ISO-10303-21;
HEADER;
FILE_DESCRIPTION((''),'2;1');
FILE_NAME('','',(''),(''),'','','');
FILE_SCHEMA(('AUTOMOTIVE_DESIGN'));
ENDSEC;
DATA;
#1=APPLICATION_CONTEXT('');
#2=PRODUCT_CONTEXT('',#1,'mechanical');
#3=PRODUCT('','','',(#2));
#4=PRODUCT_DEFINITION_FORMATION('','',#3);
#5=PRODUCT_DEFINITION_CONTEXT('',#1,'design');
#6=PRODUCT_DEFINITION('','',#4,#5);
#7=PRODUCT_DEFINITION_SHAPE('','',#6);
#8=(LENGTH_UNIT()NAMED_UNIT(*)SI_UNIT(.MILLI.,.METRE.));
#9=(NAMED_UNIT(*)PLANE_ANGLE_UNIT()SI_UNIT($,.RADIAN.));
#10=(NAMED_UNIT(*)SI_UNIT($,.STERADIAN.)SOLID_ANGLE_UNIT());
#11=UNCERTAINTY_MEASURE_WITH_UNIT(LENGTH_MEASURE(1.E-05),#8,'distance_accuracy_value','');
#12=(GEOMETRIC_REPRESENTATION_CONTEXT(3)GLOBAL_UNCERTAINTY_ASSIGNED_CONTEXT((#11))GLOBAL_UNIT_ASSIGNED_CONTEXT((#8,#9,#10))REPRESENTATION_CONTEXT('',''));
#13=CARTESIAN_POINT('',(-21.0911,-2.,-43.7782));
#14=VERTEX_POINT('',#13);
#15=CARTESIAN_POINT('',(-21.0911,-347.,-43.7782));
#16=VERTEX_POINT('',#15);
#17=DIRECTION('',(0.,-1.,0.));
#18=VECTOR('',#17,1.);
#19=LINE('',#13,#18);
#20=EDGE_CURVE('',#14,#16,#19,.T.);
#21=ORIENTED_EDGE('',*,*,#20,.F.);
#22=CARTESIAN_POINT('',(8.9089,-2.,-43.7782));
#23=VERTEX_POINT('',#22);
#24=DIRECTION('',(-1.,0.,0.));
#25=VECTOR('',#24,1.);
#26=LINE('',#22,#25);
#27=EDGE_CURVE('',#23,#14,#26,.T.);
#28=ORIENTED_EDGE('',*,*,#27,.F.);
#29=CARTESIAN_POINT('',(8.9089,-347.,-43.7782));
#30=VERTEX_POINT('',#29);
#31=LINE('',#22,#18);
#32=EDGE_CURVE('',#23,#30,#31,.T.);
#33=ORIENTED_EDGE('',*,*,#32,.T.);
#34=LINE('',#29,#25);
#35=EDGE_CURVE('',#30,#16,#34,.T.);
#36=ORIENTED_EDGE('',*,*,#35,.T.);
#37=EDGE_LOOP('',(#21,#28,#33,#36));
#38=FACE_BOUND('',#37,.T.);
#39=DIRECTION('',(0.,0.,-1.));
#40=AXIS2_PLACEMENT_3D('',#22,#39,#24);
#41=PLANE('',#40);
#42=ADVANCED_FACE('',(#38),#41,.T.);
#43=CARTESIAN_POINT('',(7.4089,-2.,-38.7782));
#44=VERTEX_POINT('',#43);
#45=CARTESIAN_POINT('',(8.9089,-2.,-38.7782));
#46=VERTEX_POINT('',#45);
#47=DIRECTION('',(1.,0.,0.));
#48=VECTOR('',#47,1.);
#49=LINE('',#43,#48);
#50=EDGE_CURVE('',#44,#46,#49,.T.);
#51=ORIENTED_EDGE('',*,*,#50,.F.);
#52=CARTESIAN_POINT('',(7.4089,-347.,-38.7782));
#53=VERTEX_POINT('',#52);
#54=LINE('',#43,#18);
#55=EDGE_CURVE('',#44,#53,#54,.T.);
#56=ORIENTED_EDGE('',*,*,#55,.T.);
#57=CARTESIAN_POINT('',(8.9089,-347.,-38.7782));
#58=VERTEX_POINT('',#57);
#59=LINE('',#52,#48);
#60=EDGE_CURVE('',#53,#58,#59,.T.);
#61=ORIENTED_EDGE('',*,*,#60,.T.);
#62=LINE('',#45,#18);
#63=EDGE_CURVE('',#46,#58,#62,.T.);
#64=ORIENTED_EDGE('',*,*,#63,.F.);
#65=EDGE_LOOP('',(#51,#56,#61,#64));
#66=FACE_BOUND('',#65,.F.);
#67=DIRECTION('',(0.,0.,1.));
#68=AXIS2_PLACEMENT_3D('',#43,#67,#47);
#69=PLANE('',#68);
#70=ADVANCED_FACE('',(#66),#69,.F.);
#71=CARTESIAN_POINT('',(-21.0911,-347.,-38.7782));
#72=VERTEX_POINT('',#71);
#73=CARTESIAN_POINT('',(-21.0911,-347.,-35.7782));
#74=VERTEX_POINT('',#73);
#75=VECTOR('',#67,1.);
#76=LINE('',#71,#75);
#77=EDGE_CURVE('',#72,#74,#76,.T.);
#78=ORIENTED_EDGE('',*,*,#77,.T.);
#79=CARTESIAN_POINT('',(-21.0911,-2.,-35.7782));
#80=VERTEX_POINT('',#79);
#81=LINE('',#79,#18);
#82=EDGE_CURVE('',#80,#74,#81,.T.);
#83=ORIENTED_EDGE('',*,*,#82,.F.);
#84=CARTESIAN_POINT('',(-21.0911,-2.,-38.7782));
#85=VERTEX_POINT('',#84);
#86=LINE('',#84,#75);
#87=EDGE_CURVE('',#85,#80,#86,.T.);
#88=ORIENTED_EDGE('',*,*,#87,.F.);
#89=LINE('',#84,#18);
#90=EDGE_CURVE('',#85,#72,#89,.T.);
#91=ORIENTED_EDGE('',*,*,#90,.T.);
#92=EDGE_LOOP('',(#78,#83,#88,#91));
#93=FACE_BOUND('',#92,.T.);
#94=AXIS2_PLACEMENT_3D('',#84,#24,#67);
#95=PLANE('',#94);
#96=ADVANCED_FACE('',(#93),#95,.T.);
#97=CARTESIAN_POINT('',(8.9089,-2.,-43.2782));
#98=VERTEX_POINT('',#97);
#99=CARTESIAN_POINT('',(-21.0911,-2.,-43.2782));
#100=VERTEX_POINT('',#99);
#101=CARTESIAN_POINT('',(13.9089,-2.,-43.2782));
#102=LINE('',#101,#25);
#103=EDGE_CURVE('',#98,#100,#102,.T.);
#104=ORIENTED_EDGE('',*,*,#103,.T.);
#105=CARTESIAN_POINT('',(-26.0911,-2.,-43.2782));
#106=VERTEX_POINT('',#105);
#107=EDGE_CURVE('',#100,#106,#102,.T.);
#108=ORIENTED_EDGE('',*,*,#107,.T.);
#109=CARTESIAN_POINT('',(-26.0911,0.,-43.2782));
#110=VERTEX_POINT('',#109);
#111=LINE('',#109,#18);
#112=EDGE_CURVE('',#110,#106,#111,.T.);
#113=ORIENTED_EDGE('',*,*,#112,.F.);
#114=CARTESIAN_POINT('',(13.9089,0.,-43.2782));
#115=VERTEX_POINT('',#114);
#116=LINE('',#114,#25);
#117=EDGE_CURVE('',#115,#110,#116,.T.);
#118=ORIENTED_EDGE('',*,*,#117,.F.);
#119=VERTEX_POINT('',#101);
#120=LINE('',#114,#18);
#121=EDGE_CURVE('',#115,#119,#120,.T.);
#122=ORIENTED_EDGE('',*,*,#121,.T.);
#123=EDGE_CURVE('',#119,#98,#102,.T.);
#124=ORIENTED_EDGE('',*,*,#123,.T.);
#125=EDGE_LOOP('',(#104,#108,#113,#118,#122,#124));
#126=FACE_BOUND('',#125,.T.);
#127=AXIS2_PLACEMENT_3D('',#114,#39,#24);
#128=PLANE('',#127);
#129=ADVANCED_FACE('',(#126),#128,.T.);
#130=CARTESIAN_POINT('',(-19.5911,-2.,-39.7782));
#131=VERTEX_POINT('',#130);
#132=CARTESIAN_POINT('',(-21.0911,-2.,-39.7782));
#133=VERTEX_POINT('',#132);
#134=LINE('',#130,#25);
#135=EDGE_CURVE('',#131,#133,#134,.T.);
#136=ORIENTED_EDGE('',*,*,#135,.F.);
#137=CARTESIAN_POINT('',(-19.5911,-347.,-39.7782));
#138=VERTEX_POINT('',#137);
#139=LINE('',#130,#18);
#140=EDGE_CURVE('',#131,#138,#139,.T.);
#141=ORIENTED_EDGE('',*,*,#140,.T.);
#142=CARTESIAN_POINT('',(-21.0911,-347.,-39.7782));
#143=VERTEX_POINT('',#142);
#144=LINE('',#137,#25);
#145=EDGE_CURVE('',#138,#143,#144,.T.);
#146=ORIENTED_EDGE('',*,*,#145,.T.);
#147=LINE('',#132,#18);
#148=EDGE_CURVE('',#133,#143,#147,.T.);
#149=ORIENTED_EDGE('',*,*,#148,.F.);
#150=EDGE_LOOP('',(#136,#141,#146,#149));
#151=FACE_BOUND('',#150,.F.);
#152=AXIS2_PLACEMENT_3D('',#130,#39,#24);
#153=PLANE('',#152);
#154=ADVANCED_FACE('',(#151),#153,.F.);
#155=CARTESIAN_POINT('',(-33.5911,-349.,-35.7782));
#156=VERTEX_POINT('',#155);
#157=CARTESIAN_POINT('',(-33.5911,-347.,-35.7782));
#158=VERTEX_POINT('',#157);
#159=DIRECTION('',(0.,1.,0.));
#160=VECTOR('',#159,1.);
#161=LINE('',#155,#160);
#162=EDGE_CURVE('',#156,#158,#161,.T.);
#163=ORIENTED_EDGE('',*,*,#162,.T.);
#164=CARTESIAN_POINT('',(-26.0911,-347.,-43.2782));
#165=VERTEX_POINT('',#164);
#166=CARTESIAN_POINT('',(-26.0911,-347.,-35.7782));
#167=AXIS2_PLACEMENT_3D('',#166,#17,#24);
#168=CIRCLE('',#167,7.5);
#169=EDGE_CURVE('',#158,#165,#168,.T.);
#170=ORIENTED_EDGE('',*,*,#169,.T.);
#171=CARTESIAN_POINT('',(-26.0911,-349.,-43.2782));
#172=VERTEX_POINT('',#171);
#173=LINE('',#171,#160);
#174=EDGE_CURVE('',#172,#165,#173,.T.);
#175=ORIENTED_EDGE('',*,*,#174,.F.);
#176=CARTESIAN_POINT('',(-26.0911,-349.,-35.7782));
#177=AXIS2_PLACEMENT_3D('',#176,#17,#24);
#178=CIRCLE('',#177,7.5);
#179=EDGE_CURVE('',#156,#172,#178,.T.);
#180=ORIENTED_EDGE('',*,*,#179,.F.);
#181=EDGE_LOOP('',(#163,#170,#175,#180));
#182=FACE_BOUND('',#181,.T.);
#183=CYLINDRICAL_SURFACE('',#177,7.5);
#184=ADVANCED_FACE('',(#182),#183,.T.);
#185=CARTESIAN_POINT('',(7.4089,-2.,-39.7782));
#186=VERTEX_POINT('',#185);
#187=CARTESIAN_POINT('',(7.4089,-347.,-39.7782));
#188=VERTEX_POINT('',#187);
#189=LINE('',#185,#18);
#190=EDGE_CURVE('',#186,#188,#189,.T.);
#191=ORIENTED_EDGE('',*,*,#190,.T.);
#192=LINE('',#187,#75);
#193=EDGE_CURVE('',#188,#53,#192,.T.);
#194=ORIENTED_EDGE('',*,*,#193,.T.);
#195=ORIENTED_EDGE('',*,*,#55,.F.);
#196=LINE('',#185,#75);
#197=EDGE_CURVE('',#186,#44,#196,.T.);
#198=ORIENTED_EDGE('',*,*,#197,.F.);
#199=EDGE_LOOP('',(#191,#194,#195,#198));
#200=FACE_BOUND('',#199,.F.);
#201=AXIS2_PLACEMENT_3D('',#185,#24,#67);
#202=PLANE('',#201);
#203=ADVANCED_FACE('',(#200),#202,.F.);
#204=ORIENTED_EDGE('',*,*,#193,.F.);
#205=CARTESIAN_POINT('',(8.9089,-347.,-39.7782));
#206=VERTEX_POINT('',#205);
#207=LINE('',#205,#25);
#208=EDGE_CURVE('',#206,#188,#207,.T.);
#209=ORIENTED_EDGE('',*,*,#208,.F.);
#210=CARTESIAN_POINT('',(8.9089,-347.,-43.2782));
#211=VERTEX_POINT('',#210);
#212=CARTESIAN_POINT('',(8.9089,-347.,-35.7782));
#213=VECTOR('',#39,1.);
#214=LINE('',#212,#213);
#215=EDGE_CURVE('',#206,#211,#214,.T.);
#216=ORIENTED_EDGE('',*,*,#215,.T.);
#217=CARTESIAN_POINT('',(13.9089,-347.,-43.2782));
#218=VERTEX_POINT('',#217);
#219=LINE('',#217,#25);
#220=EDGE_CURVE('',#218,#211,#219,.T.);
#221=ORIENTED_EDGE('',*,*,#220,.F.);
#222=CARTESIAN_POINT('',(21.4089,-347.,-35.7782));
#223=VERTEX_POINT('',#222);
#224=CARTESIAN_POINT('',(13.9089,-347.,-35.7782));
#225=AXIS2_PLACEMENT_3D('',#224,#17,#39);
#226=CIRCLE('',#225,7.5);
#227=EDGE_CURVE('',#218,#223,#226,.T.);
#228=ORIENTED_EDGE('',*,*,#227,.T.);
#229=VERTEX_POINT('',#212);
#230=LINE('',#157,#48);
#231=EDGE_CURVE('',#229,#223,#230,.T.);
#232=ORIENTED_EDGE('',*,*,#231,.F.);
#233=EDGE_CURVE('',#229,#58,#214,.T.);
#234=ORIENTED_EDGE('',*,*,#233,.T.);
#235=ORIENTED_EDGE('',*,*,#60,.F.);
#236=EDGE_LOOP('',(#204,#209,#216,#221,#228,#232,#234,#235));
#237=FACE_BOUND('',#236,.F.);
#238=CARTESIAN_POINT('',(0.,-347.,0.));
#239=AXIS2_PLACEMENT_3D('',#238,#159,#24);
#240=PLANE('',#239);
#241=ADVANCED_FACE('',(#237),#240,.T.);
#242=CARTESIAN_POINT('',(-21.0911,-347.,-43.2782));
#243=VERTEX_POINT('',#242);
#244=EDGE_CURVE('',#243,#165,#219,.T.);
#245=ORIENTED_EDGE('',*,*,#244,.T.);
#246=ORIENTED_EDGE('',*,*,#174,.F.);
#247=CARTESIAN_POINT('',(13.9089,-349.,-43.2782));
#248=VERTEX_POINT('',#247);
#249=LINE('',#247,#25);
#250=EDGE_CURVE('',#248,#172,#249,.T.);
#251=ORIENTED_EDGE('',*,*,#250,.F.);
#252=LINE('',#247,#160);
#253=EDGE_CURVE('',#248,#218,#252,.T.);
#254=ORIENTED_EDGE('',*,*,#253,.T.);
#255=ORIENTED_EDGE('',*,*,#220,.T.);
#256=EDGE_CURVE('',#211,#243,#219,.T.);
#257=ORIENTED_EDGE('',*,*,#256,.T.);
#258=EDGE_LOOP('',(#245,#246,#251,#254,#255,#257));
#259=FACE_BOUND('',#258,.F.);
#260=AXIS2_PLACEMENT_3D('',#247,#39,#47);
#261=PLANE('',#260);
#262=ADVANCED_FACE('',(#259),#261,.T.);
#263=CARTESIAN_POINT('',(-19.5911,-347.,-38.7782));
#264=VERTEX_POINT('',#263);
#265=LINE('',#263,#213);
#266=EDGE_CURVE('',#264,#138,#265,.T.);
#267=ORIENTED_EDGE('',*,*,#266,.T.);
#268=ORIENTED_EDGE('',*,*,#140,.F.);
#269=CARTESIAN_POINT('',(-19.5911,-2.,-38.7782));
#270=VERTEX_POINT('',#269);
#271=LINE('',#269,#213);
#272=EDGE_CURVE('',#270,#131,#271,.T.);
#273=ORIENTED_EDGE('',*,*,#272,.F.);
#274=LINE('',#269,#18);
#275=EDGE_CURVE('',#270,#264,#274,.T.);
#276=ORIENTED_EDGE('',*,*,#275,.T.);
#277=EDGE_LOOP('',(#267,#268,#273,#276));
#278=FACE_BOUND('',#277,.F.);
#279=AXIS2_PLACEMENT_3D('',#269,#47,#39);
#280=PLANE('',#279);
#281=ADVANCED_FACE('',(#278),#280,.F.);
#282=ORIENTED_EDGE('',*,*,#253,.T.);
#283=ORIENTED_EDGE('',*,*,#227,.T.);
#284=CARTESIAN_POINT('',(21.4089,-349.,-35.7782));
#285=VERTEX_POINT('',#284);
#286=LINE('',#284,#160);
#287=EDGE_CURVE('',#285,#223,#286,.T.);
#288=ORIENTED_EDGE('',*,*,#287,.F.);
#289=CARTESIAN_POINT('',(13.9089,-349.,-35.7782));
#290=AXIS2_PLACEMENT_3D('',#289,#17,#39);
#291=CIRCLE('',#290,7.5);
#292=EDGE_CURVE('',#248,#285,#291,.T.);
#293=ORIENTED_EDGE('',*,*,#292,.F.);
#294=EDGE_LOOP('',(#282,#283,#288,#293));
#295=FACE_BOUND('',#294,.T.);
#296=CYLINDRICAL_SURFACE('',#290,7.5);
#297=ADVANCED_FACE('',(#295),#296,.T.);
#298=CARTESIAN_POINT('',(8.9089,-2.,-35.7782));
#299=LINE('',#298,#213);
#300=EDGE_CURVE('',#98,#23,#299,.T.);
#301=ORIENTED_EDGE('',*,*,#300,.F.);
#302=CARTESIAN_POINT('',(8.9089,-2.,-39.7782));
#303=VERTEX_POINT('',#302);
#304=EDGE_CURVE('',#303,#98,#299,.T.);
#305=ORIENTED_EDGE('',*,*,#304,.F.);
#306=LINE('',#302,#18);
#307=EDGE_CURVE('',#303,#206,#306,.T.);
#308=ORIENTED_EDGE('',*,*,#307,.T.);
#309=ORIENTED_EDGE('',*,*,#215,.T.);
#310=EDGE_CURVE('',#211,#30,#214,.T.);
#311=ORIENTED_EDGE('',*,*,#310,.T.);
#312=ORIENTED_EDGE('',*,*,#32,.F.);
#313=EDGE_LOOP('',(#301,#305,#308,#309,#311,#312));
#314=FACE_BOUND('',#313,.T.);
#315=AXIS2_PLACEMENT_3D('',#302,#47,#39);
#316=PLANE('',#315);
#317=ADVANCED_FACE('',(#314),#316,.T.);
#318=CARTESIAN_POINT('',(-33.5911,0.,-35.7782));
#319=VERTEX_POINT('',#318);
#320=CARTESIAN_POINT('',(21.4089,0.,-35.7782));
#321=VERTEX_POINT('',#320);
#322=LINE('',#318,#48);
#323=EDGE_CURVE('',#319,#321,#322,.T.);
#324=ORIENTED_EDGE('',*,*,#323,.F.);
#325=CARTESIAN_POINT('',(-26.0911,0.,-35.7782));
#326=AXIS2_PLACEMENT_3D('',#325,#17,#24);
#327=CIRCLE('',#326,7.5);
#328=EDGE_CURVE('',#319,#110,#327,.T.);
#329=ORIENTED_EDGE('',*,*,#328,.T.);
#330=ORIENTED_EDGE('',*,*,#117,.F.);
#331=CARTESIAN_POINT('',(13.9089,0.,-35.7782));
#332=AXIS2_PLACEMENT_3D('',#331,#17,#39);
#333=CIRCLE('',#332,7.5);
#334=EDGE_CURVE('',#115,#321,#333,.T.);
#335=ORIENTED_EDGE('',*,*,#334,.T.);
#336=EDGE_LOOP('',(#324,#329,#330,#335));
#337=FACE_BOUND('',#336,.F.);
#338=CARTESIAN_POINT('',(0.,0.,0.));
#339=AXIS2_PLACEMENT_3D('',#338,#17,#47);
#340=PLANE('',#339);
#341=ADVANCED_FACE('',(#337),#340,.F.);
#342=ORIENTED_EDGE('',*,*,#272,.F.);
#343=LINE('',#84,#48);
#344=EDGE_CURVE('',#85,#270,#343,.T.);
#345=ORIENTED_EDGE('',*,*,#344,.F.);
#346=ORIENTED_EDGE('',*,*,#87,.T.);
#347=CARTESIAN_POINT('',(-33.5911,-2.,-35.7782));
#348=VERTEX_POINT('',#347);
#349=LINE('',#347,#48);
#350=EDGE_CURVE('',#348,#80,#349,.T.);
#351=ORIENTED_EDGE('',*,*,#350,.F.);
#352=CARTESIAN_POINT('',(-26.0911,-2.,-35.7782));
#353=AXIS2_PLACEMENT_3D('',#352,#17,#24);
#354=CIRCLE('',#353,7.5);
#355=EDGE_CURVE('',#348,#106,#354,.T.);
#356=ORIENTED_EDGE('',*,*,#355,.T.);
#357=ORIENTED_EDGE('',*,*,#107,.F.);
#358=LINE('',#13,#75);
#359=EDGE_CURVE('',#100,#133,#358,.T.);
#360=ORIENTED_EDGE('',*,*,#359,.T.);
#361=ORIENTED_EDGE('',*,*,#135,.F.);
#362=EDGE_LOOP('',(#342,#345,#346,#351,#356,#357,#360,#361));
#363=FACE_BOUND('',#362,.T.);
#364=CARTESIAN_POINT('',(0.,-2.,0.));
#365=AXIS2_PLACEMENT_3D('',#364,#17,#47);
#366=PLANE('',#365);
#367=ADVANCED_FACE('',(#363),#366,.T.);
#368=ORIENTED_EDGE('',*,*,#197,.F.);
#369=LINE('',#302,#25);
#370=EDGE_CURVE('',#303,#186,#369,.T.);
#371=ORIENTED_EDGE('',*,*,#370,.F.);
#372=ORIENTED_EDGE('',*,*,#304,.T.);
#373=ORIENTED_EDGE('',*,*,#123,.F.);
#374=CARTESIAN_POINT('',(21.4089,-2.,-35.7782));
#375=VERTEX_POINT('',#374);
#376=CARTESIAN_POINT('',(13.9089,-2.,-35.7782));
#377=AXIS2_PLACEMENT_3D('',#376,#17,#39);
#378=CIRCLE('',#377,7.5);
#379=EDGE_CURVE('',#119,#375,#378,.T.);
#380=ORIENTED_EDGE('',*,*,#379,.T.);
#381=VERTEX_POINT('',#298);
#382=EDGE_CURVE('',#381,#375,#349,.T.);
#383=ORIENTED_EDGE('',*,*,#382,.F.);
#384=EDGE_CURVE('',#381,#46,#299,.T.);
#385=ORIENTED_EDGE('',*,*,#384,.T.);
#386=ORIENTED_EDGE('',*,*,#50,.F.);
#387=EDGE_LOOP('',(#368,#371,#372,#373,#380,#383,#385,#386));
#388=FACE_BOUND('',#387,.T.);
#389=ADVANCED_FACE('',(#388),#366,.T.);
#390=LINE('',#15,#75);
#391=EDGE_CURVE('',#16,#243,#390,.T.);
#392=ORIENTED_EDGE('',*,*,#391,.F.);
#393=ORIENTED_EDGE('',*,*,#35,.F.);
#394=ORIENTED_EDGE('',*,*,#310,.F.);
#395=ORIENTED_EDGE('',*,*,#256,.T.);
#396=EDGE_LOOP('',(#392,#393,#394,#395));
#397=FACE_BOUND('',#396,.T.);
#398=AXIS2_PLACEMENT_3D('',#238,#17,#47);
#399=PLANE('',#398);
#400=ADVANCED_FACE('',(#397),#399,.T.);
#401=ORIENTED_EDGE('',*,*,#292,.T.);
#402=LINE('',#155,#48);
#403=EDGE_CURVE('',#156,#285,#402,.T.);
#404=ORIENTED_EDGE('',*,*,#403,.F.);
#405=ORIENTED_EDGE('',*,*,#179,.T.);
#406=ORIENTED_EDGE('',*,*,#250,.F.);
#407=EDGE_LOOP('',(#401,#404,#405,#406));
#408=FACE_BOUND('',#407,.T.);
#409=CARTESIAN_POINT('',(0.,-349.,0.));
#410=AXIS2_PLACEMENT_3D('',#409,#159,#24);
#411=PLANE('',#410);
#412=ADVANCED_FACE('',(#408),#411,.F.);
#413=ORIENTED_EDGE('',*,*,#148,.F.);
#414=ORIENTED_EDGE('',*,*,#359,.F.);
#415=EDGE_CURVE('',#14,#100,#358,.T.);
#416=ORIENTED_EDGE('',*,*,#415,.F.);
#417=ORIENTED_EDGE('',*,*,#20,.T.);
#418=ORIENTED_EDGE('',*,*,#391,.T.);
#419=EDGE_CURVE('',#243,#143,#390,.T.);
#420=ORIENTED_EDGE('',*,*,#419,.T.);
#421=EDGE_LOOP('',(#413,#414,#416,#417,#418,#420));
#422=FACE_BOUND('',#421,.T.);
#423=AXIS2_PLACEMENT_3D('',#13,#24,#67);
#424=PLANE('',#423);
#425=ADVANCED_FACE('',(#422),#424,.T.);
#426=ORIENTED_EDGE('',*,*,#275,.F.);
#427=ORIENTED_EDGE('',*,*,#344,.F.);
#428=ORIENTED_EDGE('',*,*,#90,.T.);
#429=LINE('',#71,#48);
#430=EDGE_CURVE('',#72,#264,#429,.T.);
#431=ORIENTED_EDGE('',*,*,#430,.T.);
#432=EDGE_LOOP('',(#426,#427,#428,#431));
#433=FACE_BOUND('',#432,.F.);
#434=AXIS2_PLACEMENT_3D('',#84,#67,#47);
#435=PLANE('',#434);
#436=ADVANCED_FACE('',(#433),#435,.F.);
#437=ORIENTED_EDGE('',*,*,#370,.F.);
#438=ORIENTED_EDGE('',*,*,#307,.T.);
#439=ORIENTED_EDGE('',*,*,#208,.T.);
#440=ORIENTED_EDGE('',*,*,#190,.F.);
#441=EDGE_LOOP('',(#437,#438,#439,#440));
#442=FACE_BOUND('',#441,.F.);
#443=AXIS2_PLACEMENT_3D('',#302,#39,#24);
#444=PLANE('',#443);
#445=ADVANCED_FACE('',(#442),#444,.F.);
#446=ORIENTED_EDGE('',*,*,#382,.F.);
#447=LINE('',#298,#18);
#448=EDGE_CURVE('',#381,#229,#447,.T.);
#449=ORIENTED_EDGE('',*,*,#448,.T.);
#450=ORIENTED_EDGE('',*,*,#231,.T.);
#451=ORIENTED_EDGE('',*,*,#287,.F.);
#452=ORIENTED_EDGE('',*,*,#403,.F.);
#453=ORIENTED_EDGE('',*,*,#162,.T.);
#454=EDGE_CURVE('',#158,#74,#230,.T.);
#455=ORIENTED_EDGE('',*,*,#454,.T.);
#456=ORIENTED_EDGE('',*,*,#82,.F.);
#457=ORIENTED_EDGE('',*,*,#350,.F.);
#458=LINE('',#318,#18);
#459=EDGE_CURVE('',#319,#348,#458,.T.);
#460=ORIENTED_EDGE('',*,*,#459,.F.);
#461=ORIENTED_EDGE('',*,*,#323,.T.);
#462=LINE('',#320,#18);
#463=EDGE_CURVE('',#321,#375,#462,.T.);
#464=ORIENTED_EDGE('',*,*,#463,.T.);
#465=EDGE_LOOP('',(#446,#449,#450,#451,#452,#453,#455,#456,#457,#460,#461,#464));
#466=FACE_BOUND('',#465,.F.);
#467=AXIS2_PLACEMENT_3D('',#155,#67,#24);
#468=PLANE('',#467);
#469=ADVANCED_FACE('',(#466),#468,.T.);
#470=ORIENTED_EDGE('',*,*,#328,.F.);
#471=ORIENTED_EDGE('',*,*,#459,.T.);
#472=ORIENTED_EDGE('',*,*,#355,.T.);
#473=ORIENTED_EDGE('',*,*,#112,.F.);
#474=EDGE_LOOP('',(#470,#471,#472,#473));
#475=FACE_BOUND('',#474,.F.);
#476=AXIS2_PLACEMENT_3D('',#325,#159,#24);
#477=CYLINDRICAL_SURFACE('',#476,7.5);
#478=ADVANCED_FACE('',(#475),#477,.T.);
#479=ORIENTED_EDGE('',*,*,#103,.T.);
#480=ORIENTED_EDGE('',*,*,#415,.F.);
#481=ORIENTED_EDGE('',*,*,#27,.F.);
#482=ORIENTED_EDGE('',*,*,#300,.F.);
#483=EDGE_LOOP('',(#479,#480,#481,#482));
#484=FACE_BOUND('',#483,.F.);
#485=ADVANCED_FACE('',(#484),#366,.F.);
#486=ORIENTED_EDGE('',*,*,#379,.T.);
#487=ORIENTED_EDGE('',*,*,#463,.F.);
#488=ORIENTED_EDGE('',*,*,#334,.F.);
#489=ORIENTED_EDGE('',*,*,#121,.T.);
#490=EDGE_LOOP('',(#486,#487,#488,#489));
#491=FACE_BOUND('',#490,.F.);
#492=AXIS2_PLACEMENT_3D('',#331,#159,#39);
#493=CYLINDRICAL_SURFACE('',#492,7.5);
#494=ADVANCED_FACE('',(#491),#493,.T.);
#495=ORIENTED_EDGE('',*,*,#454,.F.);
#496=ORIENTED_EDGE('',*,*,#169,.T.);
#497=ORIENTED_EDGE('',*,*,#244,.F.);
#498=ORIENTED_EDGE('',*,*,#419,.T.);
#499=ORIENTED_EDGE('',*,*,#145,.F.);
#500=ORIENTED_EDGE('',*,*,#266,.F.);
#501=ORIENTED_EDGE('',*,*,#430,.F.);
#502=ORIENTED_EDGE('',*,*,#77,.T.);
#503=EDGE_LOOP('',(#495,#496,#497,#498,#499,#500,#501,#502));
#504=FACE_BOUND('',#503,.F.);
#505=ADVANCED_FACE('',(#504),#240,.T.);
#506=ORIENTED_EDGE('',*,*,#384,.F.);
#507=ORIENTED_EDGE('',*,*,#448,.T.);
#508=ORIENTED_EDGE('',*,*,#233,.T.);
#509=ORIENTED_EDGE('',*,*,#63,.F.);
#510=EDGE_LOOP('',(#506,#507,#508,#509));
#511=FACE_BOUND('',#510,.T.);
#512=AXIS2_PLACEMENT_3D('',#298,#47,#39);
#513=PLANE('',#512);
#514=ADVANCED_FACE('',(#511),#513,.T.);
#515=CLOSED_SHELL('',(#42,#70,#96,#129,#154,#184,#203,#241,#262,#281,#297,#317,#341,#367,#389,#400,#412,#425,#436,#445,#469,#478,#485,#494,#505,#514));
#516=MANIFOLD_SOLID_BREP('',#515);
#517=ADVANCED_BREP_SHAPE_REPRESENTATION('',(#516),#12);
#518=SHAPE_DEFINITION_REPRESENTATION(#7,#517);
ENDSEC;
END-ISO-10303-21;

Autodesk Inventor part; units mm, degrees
ref_plane "YZ Plane" through (0, 0, 0) normal (1, 0, 0) x (0, 1, 0)
ref_plane "XZ Plane" through (0, 0, 0) normal (0, 1, 0) x (-1, 0, 0)
ref_plane "XY Plane" through (0, 0, 0) normal (0, 0, 1) x (1, 0, 0)
ref_plane "工作平面1" through (0, 0, 0) normal (0, -1, 0) x (1, 0, 0)
sketch "草图2" plane through (0, 0, 0) normal (0, -1, 0) x (1, 0, 0)
  line L0 (13.9089, -43.2782) -> (-26.0911, -43.2782) projected
  arc A0 (13.9089, -43.2782) -> (21.4089, -35.7782) centre (13.9089, -35.7782) ccw projected
  line L1 (-33.5911, -35.7782) -> (21.4089, -35.7782) projected
  arc A1 (-33.5911, -35.7782) -> (-26.0911, -43.2782) centre (-26.0911, -35.7782) ccw projected
  point P0 (0, 0)
extrude "拉伸2" add sketch "草图2" along normal blind 2
ref_plane "工作平面2" through (-1.2405, 0, -40.1772) normal (0, -1, 0) x (1, 0, 0)
sketch "草图3" plane through (0, -2, 0) normal (0, -1, 0) x (1, 0, 0)
  line L0 (-21.0911, -35.7782) -> (8.9089, -35.7782)
  line L1 (8.9089, -35.7782) -> (8.9089, -43.7782)
  line L2 (8.9089, -43.7782) -> (-21.0911, -43.7782)
  line L3 (21.4089, -35.7782) -> (-33.5911, -35.7782) projected
  line L4 (-21.0911, -38.7782) -> (-19.5911, -38.7782)
  line L5 (-19.5911, -38.7782) -> (-19.5911, -39.7782)
  line L6 (-19.5911, -39.7782) -> (-21.0911, -39.7782)
  line L7 (-21.0911, -43.7782) -> (-21.0911, -39.7782)
  line L8 (-21.0911, -38.7782) -> (-21.0911, -35.7782)
  line L9 (8.9089, -39.7782) -> (7.4089, -39.7782)
  line L10 (7.4089, -39.7782) -> (7.4089, -38.7782)
  line L11 (7.4089, -38.7782) -> (8.9089, -38.7782)
  line L12 (8.9089, -38.7782) -> (8.9089, -39.7782)
  point P0 (0, 0)
  dimension "d7" = 8
  dimension "d8" = 1
  dimension "d9" = 3
  dimension "d10" = 1.5
  dimension "d11" = 1.5
extrude "拉伸3" add sketch "草图3" along normal blind 345 contours L0 L1 L11 L10 L9 L2 L7 L6 L5 L4 L8
ref_plane "工作平面3" through (0, -174.5, 0) normal (0, -1, 0) x (1, 0, 0)
mirror "镜像1" about plane through (0, -174.5, 0) normal (0, -1, 0) of "拉伸2"
properties part number "导轨"
